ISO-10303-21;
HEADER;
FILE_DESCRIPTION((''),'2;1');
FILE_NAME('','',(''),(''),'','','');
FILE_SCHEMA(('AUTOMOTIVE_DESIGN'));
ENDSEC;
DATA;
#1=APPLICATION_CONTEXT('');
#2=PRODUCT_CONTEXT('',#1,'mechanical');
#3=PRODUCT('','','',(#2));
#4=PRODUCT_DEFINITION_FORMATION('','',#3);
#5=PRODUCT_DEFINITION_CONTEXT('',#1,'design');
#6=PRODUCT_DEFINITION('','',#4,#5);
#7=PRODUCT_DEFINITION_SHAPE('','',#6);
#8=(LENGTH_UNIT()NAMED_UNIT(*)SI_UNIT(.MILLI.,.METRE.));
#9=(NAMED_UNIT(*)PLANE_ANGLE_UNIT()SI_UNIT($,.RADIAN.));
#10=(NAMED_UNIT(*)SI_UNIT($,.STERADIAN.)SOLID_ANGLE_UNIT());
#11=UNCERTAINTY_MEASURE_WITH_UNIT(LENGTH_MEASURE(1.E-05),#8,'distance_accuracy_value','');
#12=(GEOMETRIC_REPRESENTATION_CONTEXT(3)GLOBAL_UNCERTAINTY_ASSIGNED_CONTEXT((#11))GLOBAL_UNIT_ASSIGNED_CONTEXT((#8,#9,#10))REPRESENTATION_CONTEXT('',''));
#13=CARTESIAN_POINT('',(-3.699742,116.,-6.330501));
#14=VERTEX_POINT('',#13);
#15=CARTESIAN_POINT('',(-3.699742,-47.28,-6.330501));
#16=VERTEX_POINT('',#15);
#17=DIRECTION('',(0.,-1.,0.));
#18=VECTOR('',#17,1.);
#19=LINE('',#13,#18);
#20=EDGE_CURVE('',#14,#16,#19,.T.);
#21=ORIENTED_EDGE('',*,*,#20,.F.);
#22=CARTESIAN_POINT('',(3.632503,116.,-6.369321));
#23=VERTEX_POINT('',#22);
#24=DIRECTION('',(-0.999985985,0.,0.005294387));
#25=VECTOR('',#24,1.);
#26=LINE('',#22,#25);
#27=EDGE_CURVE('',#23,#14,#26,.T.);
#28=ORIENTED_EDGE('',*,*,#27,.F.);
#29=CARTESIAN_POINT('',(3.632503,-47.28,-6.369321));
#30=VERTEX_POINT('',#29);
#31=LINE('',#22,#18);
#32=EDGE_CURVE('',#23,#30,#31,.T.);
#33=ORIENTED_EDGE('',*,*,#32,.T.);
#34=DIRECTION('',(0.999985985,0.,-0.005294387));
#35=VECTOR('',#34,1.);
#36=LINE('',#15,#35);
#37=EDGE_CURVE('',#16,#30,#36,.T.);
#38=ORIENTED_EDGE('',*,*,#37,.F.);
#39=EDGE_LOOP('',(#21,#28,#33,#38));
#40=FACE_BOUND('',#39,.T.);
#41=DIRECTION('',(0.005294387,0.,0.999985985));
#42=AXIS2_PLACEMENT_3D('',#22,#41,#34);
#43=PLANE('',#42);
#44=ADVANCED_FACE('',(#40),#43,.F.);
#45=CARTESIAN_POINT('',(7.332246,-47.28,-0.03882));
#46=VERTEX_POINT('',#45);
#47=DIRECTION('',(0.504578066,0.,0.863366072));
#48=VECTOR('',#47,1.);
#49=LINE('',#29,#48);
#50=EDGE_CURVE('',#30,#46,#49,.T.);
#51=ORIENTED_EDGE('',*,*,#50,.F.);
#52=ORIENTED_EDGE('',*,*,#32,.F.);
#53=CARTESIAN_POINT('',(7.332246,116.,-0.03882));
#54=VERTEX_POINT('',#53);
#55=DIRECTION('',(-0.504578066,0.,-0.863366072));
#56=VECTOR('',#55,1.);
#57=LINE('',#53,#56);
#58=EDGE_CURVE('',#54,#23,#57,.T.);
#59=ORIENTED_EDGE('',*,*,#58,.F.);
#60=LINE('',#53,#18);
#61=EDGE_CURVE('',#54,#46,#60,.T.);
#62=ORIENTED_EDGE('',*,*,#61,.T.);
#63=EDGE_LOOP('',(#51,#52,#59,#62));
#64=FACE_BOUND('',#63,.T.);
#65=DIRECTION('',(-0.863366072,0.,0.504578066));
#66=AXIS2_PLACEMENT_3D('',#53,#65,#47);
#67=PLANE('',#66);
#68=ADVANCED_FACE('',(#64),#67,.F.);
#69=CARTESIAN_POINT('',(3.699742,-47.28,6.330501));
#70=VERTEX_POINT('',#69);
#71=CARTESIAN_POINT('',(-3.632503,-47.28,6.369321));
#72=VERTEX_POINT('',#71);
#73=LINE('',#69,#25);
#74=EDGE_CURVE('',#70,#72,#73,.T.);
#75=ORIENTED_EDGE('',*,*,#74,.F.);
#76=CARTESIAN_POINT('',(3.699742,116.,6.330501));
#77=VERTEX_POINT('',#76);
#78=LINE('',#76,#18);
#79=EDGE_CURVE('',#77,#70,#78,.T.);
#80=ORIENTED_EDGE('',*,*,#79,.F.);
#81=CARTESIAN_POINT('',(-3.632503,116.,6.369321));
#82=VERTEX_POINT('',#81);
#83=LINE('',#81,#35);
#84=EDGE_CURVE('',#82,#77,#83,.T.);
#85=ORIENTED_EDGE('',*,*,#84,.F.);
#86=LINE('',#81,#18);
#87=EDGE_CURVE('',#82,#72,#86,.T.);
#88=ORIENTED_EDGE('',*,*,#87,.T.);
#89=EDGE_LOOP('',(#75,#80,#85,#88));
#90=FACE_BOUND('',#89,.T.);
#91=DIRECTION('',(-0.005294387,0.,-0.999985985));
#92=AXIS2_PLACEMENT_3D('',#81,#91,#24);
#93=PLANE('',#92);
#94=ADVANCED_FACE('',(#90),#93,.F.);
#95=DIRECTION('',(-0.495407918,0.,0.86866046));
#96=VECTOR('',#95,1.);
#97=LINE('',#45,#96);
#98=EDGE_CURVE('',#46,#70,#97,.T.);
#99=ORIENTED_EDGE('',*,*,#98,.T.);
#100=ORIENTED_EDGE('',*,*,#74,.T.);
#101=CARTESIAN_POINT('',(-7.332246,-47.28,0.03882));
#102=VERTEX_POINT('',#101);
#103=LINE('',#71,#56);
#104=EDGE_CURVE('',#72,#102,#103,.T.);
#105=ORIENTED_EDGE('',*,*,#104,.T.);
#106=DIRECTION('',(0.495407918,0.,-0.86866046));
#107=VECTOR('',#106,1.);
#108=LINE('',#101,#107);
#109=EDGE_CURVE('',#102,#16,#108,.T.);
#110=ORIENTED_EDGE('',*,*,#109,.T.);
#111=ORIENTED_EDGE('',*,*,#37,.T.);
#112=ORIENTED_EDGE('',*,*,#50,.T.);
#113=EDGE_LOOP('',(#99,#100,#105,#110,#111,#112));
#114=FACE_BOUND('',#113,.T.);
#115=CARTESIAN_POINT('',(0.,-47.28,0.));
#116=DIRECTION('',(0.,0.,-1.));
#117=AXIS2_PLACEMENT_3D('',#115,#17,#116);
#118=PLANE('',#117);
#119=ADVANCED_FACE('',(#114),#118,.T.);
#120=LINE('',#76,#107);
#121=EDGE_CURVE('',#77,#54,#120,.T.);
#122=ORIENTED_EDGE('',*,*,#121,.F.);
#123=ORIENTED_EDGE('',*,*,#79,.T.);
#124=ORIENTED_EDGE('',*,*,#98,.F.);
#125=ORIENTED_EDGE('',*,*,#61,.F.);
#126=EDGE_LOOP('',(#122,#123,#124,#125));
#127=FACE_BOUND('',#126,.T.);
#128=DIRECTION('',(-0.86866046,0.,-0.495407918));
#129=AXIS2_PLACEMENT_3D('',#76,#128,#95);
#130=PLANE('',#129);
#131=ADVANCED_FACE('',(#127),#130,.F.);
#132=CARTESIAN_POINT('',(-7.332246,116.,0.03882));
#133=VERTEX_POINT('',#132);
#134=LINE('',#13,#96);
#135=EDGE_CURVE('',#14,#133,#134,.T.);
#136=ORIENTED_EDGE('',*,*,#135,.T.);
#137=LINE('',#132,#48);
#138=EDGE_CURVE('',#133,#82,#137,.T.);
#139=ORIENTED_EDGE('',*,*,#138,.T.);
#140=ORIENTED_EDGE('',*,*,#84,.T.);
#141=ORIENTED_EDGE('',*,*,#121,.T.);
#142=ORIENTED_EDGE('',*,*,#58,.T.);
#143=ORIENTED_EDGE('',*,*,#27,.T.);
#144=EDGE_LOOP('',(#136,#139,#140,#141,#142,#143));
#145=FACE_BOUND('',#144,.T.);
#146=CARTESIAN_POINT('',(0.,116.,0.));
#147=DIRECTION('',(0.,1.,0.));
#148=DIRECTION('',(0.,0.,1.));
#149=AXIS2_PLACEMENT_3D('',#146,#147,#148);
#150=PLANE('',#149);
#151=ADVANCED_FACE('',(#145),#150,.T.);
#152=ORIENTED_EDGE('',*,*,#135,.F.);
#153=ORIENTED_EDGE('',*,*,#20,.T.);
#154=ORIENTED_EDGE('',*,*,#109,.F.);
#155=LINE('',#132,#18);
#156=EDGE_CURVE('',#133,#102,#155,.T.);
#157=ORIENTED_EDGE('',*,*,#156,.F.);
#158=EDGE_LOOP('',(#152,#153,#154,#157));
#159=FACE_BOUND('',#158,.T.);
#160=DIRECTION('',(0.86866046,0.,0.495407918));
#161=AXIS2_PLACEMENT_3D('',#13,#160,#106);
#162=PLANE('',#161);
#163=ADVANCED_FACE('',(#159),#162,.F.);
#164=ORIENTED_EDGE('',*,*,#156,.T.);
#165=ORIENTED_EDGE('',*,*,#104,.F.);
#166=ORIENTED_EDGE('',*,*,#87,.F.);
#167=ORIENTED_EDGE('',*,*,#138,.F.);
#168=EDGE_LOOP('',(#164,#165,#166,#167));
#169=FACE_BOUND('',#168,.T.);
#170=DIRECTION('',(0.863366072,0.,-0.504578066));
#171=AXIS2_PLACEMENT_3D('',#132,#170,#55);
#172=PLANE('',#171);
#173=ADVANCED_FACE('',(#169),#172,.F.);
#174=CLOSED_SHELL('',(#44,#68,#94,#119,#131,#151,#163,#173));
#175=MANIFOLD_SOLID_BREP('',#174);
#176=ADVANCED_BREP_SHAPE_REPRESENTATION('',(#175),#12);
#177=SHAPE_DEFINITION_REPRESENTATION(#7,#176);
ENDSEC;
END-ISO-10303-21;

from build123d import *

# Parameters (mm, degrees)
SALIENTE_EXTRUIR1_DEPTH = 116
SALIENTE_EXTRUIR3_DEPTH = 47.28


with BuildPart() as part:
    # Croquis1 → Saliente-Extruir1 (new body)
    with BuildSketch(Plane(origin=(0, 0, 0), x_dir=(1, 0, 0), z_dir=(0, 1, 0))):
        Polygon((-3.632503467, -6.369321148), (3.699742186, -6.330500856), (7.332245653, 0.038820292), (3.632503467, 6.369321148), (-3.699742186, 6.330500856), (-7.332245653, -0.038820292), align=None)
    extrude(amount=SALIENTE_EXTRUIR1_DEPTH)

    # Croquis6 → Saliente-Extruir3 (add)
    with BuildSketch(Plane.XZ):
        Polygon((7.332245653, -0.038820292), (3.699742186, 6.330500856), (-3.632503467, 6.369321148), (-7.332245653, 0.038820292), (-3.699742186, -6.330500856), (3.632503467, -6.369321148), align=None)
    extrude(amount=SALIENTE_EXTRUIR3_DEPTH)


solid = part.part
